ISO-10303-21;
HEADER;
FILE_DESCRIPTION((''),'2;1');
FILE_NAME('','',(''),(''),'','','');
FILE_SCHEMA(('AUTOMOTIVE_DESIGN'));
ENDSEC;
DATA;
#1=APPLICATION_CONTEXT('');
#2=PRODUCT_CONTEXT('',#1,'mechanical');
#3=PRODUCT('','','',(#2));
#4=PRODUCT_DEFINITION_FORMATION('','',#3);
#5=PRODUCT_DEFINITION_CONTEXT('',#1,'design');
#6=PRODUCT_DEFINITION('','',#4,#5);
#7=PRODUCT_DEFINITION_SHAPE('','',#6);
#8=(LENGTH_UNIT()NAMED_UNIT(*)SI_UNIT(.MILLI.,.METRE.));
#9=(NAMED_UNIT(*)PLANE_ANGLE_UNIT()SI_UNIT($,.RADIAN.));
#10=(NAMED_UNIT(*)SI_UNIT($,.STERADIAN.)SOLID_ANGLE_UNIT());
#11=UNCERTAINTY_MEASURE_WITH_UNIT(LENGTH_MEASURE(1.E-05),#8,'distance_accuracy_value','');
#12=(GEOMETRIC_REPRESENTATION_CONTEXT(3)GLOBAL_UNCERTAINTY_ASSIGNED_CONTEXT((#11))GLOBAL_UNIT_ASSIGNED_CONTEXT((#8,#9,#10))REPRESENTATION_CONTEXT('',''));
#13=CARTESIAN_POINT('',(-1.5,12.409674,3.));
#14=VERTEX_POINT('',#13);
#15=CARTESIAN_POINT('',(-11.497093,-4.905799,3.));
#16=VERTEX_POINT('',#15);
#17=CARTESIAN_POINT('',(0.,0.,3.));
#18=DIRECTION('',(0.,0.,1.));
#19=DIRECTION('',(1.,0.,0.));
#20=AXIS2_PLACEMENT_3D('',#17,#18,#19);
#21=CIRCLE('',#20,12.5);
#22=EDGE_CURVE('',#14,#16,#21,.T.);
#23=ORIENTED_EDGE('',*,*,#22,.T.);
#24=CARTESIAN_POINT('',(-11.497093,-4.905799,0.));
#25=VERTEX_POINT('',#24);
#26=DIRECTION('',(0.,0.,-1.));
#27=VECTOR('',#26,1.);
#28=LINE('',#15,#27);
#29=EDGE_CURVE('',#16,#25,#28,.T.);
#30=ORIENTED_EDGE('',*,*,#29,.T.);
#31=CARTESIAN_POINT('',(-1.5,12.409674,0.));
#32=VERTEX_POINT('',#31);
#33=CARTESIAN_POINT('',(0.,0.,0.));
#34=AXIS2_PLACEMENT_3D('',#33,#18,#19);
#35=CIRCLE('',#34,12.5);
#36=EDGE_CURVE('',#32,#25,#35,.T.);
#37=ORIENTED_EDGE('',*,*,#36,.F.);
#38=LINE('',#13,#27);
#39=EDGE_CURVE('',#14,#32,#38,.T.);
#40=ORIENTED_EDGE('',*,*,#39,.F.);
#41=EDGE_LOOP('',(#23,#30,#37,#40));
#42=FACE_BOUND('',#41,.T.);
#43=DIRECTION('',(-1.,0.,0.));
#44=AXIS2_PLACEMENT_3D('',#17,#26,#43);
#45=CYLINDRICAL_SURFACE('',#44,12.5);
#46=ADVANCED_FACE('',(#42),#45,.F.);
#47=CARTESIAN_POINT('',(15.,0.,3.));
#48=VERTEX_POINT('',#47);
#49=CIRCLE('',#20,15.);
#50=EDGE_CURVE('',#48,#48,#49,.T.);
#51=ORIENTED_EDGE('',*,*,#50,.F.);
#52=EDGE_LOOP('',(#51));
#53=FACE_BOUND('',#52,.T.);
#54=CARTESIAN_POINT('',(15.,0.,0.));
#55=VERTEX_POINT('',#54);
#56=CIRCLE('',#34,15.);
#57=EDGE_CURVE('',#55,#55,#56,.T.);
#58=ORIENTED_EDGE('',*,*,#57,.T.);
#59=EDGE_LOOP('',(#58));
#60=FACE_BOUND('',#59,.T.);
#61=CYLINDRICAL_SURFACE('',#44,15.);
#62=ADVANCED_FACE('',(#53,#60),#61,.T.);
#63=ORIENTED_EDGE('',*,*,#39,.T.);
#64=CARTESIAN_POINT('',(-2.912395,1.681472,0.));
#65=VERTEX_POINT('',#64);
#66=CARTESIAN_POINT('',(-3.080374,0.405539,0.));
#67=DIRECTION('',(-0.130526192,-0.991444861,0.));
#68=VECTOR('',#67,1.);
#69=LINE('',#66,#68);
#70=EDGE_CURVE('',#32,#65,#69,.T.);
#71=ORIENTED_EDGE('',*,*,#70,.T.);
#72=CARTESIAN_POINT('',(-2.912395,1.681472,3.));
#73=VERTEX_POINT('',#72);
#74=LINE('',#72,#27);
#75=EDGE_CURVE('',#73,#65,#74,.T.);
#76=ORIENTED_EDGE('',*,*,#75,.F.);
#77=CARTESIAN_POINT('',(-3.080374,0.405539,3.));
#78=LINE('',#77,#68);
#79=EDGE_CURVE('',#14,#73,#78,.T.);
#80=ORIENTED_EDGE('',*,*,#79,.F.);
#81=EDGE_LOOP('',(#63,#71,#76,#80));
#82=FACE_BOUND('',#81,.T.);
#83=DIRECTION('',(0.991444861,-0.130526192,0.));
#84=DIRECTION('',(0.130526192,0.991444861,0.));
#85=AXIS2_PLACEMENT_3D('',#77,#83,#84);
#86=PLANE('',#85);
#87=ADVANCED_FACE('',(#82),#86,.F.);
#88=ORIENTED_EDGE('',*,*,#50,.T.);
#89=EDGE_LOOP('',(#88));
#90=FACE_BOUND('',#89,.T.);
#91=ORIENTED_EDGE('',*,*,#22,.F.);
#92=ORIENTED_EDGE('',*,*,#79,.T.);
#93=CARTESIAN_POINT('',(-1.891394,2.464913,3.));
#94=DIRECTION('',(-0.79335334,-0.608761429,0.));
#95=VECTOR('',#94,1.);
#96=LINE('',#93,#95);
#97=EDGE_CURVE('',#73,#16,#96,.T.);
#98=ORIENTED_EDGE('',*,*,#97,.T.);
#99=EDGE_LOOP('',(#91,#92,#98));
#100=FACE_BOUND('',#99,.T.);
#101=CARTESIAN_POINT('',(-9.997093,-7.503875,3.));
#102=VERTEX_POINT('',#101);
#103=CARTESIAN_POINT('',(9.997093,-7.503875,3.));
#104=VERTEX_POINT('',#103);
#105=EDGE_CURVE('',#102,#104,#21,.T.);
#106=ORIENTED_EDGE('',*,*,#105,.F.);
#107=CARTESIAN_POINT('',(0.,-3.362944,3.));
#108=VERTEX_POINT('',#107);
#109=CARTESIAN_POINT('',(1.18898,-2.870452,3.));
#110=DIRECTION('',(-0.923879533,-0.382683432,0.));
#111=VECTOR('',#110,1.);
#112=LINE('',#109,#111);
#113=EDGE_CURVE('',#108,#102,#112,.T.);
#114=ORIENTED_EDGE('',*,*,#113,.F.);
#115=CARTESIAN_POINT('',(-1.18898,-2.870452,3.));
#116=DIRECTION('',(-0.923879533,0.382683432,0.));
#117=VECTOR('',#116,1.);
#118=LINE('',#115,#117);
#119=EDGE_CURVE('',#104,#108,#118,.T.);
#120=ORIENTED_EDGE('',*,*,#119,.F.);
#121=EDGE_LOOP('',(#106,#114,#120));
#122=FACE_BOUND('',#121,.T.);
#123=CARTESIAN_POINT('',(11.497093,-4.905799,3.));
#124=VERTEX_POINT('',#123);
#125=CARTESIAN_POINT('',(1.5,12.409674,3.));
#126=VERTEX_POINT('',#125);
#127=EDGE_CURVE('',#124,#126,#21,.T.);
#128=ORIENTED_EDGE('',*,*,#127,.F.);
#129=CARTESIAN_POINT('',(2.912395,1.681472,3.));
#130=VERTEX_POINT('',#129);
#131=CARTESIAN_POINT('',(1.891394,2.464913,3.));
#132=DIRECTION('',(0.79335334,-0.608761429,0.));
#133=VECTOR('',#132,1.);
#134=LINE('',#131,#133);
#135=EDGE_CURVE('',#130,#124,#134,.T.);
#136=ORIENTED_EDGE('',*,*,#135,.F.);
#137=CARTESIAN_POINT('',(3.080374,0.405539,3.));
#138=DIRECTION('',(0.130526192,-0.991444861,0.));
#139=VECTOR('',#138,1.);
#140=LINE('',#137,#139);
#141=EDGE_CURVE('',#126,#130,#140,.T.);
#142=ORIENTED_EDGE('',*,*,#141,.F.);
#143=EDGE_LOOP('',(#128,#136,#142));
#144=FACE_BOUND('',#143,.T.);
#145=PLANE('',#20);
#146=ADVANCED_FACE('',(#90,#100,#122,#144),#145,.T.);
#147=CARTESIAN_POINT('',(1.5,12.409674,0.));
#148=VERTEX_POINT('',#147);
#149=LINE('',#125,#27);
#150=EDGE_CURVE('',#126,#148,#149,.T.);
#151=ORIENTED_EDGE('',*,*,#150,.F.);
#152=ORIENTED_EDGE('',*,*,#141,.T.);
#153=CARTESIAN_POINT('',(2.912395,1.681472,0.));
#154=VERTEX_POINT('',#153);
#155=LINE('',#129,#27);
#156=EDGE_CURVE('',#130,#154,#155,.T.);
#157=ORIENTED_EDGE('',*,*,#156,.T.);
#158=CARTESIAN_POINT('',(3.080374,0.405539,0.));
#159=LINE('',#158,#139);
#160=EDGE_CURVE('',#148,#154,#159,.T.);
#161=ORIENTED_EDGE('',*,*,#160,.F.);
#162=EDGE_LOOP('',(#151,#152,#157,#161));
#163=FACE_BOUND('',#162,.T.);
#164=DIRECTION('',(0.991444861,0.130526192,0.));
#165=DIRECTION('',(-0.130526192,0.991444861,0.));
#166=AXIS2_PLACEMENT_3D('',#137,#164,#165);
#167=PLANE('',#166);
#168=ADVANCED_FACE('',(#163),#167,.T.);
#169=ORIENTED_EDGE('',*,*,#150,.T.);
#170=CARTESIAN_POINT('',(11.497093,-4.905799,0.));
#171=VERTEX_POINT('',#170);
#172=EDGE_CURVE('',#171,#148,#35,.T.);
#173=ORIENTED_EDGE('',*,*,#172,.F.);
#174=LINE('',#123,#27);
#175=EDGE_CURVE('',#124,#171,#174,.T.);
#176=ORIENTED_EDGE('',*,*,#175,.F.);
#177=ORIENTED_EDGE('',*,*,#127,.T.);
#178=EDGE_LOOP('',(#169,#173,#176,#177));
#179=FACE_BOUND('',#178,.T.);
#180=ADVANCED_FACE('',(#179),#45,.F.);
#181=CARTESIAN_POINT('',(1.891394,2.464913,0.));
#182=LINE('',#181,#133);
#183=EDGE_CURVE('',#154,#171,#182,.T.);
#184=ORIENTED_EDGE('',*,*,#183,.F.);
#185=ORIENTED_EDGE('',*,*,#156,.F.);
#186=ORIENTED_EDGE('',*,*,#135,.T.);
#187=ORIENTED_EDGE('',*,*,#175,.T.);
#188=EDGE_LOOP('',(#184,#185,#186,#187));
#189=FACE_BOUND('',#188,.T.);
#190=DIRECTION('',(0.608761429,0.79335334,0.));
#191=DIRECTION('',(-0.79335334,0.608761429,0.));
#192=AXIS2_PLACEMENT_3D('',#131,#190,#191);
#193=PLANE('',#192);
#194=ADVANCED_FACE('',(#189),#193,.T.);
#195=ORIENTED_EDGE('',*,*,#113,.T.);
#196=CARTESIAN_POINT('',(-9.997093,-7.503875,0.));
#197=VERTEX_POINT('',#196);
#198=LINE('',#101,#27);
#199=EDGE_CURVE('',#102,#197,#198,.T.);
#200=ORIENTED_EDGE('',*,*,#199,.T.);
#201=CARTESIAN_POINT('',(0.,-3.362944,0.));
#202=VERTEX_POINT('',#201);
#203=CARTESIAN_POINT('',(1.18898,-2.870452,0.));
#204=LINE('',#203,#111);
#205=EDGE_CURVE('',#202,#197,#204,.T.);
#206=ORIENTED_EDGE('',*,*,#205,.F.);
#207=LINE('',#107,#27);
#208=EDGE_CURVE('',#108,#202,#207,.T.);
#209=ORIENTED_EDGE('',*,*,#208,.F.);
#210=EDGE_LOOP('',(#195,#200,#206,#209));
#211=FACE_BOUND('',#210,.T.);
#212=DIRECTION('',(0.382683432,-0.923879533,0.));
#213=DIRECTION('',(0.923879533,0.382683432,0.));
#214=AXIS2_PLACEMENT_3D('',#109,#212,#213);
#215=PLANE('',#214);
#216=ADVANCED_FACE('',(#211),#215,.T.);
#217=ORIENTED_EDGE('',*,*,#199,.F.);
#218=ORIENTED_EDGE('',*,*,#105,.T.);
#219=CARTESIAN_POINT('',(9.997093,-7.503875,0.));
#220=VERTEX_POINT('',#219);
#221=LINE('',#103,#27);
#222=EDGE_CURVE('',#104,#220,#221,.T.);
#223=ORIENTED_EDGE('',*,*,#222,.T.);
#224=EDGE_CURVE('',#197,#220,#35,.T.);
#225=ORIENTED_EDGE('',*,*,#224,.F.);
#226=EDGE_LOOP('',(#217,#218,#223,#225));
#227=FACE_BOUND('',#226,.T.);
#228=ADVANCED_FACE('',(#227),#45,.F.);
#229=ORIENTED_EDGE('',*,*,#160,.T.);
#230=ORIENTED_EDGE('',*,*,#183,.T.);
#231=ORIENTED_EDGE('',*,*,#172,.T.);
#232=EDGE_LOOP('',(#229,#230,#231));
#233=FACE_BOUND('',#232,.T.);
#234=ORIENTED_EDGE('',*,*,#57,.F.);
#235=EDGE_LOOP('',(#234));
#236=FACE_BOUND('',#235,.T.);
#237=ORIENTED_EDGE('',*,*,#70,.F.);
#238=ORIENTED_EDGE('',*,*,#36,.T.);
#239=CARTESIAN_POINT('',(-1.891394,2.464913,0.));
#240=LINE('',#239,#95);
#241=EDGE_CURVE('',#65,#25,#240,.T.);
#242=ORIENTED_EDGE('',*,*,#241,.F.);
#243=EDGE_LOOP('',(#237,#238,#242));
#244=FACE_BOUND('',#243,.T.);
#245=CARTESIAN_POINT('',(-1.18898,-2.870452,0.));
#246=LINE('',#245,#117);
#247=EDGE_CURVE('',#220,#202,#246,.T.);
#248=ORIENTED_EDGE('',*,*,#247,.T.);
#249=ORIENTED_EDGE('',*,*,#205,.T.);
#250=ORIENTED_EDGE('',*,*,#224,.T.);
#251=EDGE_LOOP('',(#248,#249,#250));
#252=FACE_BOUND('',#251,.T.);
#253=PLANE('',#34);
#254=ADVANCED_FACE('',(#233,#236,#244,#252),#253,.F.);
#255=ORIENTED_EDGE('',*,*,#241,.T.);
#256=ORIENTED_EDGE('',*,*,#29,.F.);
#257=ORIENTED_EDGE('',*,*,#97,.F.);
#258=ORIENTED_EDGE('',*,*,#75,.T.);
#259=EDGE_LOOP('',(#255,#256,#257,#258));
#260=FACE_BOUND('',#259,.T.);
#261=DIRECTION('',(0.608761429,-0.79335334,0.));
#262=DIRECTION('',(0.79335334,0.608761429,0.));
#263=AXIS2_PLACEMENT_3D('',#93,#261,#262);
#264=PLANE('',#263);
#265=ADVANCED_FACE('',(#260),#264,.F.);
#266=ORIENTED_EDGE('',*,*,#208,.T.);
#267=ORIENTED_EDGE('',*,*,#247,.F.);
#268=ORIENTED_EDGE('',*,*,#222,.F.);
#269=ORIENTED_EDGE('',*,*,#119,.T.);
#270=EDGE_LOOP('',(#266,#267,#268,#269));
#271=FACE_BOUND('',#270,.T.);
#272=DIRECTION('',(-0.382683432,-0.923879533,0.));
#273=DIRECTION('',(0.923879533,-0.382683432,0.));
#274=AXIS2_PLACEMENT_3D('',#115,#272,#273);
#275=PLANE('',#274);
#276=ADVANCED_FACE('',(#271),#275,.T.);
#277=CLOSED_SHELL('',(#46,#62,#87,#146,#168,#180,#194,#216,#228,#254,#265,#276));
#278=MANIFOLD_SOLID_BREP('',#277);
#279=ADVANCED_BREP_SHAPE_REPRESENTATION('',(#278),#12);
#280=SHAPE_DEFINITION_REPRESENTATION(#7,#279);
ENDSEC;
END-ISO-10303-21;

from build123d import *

# Parameters (mm, degrees)
SKETCH_1_R      = 15
SKETCH_1_R_2    = 12.5
EXTRUDE_1_DEPTH = 3


with BuildPart() as part:
    # 草图1 → 凸台-拉伸1 (new body)
    # profile 1 of 2: a face of its own
    with BuildSketch(Plane.XY):
        Circle(SKETCH_1_R)
        Circle(SKETCH_1_R_2, mode=Mode.SUBTRACT)
    # profile 2 of 2: a face of its own
    with BuildSketch(Plane.XY):
        with BuildLine():
            ThreePointArc((1.5, 12.409673646), (0, 12.5), (-1.5, 12.409673646))
            Line((-1.5, 12.409673646), (-2.912394569, 1.681471788))
            Line((-2.912394569, 1.681471788), (-11.49709263, -4.905798717))
            ThreePointArc((-11.49709263, -4.905798717), (-10.825317547, -6.25), (-9.99709263, -7.503874929))
            Line((-9.99709263, -7.503874929), (0, -3.362943577))
            Line((0, -3.362943577), (9.99709263, -7.503874929))
            ThreePointArc((9.99709263, -7.503874929), (10.825317547, -6.25), (11.49709263, -4.905798717))
            Line((11.49709263, -4.905798717), (2.912394569, 1.681471788))
            Line((2.912394569, 1.681471788), (1.5, 12.409673646))
        make_face()
    extrude(amount=EXTRUDE_1_DEPTH)


solid = part.part
